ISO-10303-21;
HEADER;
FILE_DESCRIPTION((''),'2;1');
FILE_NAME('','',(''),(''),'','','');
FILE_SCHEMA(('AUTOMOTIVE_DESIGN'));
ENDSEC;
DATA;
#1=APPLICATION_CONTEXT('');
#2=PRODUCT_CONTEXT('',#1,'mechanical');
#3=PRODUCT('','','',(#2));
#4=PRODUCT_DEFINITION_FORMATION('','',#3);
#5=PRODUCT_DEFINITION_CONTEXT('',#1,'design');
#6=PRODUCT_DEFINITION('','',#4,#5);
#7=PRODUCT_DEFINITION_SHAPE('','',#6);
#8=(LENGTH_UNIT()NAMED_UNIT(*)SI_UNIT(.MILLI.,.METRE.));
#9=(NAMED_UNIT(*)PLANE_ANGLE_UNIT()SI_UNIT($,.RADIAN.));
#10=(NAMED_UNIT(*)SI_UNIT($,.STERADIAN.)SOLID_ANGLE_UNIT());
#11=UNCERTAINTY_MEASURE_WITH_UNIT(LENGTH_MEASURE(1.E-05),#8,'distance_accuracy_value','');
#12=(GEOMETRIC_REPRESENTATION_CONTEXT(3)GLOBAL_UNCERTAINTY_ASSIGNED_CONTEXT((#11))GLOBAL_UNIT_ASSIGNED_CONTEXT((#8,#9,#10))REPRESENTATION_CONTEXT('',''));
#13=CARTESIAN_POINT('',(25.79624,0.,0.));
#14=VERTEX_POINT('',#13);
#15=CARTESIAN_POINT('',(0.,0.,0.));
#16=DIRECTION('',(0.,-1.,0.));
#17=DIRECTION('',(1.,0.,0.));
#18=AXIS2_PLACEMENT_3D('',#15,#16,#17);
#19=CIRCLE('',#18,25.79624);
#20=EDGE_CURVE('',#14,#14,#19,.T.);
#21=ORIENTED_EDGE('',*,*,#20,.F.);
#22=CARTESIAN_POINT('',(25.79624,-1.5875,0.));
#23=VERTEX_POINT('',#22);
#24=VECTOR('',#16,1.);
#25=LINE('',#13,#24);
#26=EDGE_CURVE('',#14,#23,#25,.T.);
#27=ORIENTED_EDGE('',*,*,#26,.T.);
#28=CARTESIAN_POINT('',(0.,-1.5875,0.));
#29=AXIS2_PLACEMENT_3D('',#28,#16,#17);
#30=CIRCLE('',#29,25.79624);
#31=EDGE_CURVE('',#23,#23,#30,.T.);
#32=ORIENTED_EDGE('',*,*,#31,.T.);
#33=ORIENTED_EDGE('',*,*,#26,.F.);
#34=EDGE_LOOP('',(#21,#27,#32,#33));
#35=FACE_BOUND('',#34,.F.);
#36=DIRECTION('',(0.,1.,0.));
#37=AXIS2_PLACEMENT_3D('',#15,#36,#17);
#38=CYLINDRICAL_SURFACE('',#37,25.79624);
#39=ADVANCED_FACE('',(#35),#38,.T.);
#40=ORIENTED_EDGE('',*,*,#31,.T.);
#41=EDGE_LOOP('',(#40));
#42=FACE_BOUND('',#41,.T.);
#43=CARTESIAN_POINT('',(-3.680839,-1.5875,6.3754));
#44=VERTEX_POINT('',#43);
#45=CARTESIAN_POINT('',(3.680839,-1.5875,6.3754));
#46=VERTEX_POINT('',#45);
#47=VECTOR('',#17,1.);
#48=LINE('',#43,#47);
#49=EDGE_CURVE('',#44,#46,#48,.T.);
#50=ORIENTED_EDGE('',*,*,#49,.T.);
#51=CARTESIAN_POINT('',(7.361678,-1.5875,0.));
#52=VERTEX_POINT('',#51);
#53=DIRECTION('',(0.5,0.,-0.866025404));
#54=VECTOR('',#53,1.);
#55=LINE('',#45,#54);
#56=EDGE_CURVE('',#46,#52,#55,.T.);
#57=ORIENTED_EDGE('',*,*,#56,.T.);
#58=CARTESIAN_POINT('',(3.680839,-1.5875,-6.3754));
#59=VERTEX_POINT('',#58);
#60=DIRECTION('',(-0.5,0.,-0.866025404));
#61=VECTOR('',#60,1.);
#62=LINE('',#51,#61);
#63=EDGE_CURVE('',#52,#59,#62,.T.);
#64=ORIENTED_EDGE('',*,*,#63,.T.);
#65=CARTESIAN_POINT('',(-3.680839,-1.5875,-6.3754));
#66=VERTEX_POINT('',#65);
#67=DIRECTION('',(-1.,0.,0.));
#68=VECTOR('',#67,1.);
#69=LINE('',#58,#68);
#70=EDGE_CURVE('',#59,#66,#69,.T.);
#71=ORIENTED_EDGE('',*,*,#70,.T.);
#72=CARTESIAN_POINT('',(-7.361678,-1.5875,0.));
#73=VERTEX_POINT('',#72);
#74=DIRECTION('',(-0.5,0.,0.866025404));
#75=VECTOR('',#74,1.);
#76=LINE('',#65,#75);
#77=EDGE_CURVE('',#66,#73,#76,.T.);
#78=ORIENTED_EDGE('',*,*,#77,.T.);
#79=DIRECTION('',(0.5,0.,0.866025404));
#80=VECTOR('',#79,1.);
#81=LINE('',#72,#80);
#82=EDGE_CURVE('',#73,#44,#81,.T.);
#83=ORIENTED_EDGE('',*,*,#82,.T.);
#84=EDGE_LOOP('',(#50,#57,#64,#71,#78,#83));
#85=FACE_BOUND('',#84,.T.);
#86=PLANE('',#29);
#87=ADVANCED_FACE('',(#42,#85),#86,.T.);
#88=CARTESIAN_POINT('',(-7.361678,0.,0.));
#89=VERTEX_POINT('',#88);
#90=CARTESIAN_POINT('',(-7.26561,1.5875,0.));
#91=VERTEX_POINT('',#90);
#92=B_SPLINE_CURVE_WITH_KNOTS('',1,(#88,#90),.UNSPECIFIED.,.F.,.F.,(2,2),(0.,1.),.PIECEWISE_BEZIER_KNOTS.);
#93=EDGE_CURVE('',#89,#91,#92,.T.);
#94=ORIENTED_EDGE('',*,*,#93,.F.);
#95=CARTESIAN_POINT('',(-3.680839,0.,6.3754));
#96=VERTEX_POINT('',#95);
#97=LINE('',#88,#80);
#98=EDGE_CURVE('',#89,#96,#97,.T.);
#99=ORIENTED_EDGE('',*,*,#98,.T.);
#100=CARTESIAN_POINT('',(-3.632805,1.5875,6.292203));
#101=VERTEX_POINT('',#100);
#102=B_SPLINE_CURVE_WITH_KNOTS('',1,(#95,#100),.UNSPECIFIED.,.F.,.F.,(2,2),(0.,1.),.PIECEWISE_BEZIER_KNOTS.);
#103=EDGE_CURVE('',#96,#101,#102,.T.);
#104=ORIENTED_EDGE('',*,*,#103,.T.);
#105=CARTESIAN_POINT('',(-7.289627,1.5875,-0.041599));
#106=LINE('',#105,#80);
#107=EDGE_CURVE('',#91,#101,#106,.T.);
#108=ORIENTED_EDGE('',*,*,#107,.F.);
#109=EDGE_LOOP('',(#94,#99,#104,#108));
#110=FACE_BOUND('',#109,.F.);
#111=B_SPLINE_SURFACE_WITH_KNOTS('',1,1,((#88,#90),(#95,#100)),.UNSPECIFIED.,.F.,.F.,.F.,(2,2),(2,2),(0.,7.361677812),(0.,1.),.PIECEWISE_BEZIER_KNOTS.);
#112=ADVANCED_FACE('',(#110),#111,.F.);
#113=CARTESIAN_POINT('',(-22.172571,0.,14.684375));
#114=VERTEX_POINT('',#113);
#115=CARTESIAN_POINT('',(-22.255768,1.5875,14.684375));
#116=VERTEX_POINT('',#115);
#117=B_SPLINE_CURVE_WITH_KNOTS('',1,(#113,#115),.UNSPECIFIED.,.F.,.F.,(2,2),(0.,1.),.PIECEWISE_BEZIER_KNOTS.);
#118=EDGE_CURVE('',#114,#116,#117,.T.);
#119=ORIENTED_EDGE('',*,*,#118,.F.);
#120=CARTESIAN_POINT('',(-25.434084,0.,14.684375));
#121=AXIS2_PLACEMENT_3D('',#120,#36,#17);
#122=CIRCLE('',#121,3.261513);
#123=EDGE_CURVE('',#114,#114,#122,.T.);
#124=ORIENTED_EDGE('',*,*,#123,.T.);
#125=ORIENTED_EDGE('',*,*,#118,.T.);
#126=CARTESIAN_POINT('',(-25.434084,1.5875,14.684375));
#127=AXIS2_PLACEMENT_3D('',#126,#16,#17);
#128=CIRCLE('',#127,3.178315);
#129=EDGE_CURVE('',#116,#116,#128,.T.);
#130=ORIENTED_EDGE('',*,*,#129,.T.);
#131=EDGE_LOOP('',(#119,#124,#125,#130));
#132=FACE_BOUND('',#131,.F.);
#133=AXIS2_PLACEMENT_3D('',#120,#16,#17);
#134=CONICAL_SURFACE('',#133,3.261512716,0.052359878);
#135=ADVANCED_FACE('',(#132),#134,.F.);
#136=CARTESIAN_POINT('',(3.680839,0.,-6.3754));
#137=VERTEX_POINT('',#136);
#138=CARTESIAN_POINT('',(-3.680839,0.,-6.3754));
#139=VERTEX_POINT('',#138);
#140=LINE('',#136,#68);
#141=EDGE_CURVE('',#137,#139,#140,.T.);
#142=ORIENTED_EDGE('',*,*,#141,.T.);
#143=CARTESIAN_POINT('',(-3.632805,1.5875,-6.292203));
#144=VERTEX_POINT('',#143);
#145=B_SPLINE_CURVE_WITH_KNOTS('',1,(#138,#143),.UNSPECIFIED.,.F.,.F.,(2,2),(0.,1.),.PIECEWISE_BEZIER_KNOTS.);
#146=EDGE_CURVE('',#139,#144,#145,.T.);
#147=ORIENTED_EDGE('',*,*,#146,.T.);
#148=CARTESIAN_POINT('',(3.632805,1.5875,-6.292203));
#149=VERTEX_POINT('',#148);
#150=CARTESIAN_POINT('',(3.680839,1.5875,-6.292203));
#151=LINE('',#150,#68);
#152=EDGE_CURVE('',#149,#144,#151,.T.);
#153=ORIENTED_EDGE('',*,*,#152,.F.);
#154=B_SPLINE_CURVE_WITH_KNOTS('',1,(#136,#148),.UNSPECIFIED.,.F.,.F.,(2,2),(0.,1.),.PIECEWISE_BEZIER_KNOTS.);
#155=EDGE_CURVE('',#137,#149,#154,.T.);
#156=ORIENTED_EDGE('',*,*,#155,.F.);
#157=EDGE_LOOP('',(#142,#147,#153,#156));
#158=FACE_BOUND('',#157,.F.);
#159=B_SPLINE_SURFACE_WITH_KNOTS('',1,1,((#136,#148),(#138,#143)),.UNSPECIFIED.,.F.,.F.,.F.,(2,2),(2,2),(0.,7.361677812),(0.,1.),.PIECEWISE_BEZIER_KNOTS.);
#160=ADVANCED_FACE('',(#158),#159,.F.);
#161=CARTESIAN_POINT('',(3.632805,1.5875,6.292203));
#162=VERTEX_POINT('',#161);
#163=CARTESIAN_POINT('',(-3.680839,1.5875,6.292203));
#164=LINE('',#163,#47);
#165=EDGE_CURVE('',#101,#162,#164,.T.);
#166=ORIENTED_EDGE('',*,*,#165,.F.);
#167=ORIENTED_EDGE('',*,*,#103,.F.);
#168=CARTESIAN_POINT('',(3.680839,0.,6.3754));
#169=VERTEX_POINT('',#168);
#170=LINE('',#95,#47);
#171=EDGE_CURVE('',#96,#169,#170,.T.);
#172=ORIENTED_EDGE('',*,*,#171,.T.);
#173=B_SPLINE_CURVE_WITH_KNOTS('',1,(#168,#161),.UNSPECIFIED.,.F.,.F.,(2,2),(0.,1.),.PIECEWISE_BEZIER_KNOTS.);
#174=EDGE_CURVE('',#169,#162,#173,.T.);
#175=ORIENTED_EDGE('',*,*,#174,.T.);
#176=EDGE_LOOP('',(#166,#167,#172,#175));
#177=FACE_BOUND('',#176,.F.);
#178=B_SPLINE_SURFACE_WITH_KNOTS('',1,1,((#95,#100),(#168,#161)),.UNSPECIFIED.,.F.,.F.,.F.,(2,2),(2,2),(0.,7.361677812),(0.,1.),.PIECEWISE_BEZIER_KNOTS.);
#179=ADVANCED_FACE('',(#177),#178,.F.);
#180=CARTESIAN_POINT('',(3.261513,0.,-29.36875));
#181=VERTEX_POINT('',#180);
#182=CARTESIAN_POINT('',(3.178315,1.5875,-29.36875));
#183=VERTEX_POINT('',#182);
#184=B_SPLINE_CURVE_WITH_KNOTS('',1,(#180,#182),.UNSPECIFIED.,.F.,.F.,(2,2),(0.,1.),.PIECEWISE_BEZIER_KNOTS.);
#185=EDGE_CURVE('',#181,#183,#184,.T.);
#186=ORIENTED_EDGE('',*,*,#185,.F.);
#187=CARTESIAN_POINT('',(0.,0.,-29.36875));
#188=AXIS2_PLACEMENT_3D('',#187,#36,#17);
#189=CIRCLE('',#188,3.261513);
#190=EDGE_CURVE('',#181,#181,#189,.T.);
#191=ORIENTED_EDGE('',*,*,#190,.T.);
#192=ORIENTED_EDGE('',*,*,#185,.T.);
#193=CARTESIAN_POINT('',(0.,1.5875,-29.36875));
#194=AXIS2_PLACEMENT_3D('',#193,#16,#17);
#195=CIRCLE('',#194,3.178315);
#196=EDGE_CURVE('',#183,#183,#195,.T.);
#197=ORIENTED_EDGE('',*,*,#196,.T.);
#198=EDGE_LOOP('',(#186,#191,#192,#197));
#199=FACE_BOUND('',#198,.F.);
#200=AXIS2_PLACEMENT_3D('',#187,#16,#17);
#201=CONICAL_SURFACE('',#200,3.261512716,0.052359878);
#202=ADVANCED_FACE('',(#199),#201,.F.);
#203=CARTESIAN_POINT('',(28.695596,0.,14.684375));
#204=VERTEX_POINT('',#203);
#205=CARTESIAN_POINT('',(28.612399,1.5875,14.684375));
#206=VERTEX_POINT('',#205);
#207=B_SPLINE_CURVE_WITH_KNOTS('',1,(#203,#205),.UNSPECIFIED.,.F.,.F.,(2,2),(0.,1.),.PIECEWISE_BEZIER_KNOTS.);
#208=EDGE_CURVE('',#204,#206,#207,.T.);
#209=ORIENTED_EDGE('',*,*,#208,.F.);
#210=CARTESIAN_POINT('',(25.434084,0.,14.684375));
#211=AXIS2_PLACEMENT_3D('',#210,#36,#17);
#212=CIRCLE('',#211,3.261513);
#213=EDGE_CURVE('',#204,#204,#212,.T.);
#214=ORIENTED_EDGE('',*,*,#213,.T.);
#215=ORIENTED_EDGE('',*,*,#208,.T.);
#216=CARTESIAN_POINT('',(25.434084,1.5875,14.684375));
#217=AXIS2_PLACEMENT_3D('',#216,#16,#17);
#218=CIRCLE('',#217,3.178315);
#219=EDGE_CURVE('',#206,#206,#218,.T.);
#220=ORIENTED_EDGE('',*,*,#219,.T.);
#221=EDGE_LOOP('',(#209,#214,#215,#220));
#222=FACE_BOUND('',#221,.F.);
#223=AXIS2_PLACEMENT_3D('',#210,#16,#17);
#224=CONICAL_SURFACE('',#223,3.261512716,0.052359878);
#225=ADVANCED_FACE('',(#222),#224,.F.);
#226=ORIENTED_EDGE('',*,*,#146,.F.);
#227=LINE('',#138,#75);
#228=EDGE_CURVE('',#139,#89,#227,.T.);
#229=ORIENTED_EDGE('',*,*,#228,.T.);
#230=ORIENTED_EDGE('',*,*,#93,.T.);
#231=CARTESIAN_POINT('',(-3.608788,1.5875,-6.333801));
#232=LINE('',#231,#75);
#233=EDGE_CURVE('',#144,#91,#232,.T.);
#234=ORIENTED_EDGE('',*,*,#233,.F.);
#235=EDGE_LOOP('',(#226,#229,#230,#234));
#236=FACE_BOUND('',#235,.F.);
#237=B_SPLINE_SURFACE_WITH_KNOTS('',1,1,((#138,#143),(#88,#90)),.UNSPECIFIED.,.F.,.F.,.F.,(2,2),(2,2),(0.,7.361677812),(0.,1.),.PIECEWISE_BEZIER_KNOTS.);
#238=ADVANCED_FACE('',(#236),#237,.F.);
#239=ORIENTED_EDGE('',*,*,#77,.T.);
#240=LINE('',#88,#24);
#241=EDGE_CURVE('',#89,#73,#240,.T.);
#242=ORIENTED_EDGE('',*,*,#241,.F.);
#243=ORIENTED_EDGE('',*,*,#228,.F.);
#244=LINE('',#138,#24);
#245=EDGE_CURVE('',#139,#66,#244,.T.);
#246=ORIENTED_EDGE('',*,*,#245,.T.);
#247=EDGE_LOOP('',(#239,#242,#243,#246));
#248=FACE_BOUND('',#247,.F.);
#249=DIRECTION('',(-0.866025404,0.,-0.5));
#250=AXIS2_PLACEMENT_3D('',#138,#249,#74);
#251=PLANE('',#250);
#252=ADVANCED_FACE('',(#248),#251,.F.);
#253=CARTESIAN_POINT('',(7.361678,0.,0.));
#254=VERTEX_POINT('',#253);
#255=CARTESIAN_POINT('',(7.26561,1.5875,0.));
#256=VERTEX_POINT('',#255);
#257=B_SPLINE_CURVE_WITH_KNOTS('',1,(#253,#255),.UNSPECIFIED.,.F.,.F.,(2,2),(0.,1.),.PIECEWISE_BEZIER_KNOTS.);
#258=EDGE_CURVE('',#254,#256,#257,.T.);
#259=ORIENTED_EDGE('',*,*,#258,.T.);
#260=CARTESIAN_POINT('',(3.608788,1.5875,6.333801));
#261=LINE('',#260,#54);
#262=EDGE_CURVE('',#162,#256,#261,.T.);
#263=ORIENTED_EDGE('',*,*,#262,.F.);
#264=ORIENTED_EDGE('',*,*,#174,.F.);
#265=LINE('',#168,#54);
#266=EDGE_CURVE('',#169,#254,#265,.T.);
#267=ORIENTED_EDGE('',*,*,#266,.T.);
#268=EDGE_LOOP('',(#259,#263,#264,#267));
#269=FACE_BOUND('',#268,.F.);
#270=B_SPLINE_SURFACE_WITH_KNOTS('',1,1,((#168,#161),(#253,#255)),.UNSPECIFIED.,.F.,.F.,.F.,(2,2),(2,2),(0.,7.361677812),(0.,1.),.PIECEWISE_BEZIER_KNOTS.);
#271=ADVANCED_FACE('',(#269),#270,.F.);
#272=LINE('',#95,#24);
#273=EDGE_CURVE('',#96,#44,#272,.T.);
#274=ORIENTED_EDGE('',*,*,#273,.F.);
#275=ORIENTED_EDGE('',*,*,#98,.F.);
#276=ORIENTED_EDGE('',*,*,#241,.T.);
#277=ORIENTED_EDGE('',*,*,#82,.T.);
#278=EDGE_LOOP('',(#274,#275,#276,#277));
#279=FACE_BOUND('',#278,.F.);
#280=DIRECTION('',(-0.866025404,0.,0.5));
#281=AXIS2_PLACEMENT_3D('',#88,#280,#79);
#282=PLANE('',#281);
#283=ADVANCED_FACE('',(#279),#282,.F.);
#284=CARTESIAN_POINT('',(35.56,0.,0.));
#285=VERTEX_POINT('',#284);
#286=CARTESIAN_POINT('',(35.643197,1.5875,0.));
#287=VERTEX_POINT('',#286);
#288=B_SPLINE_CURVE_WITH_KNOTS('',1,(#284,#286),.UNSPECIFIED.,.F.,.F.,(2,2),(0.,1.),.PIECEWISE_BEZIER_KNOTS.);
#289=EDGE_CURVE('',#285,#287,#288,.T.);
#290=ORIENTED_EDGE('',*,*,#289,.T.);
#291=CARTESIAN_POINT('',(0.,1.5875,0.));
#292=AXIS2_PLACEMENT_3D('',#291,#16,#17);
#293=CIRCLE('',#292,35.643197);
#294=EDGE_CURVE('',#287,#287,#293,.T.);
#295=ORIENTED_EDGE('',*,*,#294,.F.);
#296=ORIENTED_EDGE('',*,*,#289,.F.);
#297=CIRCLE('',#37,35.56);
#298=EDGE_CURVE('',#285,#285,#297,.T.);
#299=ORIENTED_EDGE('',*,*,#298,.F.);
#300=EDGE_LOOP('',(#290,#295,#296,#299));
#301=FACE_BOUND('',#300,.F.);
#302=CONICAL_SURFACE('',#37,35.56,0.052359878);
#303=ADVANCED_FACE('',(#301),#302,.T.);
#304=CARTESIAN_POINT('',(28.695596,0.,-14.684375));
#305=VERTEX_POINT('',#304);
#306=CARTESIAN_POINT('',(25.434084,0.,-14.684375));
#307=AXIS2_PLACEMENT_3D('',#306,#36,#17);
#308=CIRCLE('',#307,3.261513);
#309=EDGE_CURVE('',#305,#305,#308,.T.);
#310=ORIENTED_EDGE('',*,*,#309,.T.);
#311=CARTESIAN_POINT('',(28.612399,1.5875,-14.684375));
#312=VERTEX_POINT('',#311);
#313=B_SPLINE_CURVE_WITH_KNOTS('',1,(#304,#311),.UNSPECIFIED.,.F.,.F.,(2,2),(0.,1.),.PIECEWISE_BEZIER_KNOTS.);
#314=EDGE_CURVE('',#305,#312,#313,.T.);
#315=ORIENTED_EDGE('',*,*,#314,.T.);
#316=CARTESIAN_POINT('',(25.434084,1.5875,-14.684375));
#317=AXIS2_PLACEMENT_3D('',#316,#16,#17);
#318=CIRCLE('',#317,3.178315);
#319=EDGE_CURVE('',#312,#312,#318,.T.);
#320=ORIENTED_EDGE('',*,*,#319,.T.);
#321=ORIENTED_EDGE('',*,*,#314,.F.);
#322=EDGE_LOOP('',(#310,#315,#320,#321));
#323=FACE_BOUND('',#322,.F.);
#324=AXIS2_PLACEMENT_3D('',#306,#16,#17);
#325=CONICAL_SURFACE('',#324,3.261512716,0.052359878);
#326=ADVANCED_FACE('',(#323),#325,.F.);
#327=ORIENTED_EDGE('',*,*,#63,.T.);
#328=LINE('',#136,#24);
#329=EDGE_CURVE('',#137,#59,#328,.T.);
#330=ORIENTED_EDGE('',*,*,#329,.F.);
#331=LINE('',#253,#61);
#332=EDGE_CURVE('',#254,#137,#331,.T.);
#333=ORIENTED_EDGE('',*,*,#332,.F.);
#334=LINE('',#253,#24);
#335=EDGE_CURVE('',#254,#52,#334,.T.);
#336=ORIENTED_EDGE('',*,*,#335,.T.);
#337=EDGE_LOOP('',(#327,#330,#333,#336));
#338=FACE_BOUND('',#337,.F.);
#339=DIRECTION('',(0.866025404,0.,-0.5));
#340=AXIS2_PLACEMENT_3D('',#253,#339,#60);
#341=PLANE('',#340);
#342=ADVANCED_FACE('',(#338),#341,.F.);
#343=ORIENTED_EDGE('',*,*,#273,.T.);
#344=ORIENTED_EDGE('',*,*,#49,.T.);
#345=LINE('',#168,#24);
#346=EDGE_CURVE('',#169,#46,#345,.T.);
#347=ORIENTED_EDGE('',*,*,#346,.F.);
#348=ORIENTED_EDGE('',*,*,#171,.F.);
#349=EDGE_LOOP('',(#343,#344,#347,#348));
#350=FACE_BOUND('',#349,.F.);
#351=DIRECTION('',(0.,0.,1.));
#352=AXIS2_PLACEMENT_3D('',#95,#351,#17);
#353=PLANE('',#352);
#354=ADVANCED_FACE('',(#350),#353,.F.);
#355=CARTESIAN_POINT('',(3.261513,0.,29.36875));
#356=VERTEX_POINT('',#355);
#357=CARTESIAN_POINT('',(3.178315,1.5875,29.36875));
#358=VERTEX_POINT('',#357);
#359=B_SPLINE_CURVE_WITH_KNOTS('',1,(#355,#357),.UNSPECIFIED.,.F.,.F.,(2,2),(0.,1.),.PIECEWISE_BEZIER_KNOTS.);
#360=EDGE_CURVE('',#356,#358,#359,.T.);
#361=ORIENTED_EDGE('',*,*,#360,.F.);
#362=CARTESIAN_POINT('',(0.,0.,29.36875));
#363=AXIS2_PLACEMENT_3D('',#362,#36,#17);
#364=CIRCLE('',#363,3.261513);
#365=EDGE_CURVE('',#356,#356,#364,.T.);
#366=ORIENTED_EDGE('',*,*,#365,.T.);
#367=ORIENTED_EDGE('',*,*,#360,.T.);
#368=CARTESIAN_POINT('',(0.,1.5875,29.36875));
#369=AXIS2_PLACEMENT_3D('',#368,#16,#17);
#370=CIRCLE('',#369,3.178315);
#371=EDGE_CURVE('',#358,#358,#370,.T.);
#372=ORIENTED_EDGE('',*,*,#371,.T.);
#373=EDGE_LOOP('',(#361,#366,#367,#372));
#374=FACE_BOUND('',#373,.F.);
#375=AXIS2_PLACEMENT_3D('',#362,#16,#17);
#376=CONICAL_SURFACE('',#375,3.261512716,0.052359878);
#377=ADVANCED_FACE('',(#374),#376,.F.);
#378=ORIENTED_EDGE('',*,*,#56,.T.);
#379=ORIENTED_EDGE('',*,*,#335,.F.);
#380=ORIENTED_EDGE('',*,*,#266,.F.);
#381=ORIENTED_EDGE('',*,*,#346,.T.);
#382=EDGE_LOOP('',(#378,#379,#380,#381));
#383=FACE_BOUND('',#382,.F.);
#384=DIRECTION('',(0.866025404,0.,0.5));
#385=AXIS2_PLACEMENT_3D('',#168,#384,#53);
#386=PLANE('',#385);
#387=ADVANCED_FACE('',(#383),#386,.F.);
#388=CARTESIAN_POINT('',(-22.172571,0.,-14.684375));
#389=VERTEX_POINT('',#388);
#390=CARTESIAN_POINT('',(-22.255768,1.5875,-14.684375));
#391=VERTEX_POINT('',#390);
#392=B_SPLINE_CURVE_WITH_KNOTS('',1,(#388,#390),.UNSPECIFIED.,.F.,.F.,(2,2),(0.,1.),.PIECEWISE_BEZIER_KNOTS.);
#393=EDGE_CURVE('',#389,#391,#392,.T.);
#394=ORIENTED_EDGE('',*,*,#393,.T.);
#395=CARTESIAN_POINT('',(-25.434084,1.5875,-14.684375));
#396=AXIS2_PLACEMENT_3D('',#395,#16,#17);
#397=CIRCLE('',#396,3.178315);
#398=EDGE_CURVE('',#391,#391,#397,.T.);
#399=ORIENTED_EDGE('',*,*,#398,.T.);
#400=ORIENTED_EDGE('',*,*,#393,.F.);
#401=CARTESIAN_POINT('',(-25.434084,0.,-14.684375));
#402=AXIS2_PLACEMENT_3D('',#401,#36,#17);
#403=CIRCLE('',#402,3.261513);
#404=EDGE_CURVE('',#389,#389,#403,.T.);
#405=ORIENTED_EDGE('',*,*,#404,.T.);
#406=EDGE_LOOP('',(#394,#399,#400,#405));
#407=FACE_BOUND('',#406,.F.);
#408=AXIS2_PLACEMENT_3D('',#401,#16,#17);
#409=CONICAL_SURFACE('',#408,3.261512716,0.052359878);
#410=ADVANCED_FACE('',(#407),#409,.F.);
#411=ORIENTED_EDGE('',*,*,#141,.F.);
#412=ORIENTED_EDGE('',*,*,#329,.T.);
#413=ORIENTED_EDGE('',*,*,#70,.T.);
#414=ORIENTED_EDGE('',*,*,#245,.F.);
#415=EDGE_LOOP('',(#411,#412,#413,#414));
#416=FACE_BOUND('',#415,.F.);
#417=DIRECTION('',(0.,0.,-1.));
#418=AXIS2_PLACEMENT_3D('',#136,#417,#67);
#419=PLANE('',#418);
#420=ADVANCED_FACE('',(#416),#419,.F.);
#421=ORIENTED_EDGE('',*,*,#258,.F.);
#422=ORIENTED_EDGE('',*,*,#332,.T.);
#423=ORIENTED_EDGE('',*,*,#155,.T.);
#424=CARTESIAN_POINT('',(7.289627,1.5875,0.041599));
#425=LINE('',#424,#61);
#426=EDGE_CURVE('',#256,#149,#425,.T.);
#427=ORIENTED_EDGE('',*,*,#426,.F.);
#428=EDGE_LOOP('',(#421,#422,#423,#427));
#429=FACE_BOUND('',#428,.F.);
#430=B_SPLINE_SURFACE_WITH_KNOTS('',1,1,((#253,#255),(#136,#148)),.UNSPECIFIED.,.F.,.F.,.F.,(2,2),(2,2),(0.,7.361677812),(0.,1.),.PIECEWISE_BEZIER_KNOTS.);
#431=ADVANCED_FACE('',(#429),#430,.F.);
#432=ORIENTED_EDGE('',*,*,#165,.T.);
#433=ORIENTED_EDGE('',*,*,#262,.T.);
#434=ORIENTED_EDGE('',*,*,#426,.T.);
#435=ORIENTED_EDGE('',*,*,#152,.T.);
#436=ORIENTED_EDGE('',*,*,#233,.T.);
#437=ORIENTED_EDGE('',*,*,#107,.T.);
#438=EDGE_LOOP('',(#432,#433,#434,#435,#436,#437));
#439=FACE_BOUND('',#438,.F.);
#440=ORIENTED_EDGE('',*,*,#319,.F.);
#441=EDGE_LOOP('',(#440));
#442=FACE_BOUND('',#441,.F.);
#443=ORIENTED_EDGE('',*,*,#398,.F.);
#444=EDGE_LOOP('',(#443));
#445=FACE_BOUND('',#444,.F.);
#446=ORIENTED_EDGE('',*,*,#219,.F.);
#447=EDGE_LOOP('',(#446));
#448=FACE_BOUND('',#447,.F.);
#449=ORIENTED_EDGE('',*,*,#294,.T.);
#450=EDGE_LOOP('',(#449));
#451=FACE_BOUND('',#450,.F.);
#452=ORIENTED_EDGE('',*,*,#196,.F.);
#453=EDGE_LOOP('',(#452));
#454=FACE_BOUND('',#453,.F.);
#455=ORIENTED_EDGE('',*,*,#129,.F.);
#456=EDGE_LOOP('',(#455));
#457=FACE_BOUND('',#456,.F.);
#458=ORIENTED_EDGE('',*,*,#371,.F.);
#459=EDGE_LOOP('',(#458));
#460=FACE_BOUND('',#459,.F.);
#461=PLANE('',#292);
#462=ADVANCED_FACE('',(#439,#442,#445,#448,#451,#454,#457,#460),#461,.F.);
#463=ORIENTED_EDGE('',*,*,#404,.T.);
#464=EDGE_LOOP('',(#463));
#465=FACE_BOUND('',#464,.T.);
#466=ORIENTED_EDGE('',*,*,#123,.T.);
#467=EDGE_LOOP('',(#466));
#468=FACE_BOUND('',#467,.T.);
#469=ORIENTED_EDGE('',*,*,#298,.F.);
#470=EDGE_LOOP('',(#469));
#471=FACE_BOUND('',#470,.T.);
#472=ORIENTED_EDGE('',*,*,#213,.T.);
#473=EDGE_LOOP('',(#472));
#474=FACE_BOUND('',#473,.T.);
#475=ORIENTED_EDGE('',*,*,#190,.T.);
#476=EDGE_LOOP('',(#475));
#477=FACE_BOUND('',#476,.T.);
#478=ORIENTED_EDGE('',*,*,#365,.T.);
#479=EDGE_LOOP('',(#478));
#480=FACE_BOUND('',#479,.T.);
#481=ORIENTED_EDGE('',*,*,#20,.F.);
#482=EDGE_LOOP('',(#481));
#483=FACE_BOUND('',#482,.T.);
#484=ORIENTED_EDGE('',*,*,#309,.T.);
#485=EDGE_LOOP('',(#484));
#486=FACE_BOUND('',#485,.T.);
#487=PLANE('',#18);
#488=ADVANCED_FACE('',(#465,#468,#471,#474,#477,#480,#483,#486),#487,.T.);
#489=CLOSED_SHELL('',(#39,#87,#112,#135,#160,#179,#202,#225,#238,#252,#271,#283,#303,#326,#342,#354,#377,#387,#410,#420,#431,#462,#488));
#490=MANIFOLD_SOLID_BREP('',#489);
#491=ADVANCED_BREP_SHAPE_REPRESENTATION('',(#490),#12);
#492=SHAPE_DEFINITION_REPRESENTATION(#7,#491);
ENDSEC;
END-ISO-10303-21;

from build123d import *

# Parameters (mm, degrees)
F0_R     = 35.56
F0_R_2   = 3.2615127163
F1_DEPTH = 1.5875
F1_TAPER = -3
F2_R     = 25.79624
F3_DEPTH = 1.5875


with BuildPart() as f1:
    # F0 (on Front) → F1 (new body)
    with BuildSketch(Plane.XZ):
        Circle(F0_R)
        with Locations((0, -29.36875)):
            Circle(F0_R_2, mode=Mode.SUBTRACT)
        with Locations((-25.4340835774, -14.684375)):
            Circle(F0_R_2, mode=Mode.SUBTRACT)
        Polygon((-7.3616778124, 0), (-3.6808389062, 6.3754), (3.6808389062, 6.3754), (7.3616778124, 0), (3.6808389062, -6.3754), (-3.6808389062, -6.3754), align=None, mode=Mode.SUBTRACT)
        with Locations((25.4340835774, -14.684375)):
            Circle(F0_R_2, mode=Mode.SUBTRACT)
        with Locations((-25.4340835774, 14.684375)):
            Circle(F0_R_2, mode=Mode.SUBTRACT)
        with Locations((0, 29.36875)):
            Circle(F0_R_2, mode=Mode.SUBTRACT)
        with Locations((25.4340835774, 14.684375)):
            Circle(F0_R_2, mode=Mode.SUBTRACT)
    extrude(amount=-F1_DEPTH, taper=F1_TAPER)

    # F2 (on face) → F3 (join)
    with BuildSketch(Plane.XZ):
        Circle(F2_R)
        Polygon((-7.3616778124, 0), (-3.6808389062, 6.3754), (3.6808389062, 6.3754), (7.3616778124, 0), (3.6808389062, -6.3754), (-3.6808389062, -6.3754), align=None, mode=Mode.SUBTRACT)
    extrude(amount=F3_DEPTH)


solid = f1.part
